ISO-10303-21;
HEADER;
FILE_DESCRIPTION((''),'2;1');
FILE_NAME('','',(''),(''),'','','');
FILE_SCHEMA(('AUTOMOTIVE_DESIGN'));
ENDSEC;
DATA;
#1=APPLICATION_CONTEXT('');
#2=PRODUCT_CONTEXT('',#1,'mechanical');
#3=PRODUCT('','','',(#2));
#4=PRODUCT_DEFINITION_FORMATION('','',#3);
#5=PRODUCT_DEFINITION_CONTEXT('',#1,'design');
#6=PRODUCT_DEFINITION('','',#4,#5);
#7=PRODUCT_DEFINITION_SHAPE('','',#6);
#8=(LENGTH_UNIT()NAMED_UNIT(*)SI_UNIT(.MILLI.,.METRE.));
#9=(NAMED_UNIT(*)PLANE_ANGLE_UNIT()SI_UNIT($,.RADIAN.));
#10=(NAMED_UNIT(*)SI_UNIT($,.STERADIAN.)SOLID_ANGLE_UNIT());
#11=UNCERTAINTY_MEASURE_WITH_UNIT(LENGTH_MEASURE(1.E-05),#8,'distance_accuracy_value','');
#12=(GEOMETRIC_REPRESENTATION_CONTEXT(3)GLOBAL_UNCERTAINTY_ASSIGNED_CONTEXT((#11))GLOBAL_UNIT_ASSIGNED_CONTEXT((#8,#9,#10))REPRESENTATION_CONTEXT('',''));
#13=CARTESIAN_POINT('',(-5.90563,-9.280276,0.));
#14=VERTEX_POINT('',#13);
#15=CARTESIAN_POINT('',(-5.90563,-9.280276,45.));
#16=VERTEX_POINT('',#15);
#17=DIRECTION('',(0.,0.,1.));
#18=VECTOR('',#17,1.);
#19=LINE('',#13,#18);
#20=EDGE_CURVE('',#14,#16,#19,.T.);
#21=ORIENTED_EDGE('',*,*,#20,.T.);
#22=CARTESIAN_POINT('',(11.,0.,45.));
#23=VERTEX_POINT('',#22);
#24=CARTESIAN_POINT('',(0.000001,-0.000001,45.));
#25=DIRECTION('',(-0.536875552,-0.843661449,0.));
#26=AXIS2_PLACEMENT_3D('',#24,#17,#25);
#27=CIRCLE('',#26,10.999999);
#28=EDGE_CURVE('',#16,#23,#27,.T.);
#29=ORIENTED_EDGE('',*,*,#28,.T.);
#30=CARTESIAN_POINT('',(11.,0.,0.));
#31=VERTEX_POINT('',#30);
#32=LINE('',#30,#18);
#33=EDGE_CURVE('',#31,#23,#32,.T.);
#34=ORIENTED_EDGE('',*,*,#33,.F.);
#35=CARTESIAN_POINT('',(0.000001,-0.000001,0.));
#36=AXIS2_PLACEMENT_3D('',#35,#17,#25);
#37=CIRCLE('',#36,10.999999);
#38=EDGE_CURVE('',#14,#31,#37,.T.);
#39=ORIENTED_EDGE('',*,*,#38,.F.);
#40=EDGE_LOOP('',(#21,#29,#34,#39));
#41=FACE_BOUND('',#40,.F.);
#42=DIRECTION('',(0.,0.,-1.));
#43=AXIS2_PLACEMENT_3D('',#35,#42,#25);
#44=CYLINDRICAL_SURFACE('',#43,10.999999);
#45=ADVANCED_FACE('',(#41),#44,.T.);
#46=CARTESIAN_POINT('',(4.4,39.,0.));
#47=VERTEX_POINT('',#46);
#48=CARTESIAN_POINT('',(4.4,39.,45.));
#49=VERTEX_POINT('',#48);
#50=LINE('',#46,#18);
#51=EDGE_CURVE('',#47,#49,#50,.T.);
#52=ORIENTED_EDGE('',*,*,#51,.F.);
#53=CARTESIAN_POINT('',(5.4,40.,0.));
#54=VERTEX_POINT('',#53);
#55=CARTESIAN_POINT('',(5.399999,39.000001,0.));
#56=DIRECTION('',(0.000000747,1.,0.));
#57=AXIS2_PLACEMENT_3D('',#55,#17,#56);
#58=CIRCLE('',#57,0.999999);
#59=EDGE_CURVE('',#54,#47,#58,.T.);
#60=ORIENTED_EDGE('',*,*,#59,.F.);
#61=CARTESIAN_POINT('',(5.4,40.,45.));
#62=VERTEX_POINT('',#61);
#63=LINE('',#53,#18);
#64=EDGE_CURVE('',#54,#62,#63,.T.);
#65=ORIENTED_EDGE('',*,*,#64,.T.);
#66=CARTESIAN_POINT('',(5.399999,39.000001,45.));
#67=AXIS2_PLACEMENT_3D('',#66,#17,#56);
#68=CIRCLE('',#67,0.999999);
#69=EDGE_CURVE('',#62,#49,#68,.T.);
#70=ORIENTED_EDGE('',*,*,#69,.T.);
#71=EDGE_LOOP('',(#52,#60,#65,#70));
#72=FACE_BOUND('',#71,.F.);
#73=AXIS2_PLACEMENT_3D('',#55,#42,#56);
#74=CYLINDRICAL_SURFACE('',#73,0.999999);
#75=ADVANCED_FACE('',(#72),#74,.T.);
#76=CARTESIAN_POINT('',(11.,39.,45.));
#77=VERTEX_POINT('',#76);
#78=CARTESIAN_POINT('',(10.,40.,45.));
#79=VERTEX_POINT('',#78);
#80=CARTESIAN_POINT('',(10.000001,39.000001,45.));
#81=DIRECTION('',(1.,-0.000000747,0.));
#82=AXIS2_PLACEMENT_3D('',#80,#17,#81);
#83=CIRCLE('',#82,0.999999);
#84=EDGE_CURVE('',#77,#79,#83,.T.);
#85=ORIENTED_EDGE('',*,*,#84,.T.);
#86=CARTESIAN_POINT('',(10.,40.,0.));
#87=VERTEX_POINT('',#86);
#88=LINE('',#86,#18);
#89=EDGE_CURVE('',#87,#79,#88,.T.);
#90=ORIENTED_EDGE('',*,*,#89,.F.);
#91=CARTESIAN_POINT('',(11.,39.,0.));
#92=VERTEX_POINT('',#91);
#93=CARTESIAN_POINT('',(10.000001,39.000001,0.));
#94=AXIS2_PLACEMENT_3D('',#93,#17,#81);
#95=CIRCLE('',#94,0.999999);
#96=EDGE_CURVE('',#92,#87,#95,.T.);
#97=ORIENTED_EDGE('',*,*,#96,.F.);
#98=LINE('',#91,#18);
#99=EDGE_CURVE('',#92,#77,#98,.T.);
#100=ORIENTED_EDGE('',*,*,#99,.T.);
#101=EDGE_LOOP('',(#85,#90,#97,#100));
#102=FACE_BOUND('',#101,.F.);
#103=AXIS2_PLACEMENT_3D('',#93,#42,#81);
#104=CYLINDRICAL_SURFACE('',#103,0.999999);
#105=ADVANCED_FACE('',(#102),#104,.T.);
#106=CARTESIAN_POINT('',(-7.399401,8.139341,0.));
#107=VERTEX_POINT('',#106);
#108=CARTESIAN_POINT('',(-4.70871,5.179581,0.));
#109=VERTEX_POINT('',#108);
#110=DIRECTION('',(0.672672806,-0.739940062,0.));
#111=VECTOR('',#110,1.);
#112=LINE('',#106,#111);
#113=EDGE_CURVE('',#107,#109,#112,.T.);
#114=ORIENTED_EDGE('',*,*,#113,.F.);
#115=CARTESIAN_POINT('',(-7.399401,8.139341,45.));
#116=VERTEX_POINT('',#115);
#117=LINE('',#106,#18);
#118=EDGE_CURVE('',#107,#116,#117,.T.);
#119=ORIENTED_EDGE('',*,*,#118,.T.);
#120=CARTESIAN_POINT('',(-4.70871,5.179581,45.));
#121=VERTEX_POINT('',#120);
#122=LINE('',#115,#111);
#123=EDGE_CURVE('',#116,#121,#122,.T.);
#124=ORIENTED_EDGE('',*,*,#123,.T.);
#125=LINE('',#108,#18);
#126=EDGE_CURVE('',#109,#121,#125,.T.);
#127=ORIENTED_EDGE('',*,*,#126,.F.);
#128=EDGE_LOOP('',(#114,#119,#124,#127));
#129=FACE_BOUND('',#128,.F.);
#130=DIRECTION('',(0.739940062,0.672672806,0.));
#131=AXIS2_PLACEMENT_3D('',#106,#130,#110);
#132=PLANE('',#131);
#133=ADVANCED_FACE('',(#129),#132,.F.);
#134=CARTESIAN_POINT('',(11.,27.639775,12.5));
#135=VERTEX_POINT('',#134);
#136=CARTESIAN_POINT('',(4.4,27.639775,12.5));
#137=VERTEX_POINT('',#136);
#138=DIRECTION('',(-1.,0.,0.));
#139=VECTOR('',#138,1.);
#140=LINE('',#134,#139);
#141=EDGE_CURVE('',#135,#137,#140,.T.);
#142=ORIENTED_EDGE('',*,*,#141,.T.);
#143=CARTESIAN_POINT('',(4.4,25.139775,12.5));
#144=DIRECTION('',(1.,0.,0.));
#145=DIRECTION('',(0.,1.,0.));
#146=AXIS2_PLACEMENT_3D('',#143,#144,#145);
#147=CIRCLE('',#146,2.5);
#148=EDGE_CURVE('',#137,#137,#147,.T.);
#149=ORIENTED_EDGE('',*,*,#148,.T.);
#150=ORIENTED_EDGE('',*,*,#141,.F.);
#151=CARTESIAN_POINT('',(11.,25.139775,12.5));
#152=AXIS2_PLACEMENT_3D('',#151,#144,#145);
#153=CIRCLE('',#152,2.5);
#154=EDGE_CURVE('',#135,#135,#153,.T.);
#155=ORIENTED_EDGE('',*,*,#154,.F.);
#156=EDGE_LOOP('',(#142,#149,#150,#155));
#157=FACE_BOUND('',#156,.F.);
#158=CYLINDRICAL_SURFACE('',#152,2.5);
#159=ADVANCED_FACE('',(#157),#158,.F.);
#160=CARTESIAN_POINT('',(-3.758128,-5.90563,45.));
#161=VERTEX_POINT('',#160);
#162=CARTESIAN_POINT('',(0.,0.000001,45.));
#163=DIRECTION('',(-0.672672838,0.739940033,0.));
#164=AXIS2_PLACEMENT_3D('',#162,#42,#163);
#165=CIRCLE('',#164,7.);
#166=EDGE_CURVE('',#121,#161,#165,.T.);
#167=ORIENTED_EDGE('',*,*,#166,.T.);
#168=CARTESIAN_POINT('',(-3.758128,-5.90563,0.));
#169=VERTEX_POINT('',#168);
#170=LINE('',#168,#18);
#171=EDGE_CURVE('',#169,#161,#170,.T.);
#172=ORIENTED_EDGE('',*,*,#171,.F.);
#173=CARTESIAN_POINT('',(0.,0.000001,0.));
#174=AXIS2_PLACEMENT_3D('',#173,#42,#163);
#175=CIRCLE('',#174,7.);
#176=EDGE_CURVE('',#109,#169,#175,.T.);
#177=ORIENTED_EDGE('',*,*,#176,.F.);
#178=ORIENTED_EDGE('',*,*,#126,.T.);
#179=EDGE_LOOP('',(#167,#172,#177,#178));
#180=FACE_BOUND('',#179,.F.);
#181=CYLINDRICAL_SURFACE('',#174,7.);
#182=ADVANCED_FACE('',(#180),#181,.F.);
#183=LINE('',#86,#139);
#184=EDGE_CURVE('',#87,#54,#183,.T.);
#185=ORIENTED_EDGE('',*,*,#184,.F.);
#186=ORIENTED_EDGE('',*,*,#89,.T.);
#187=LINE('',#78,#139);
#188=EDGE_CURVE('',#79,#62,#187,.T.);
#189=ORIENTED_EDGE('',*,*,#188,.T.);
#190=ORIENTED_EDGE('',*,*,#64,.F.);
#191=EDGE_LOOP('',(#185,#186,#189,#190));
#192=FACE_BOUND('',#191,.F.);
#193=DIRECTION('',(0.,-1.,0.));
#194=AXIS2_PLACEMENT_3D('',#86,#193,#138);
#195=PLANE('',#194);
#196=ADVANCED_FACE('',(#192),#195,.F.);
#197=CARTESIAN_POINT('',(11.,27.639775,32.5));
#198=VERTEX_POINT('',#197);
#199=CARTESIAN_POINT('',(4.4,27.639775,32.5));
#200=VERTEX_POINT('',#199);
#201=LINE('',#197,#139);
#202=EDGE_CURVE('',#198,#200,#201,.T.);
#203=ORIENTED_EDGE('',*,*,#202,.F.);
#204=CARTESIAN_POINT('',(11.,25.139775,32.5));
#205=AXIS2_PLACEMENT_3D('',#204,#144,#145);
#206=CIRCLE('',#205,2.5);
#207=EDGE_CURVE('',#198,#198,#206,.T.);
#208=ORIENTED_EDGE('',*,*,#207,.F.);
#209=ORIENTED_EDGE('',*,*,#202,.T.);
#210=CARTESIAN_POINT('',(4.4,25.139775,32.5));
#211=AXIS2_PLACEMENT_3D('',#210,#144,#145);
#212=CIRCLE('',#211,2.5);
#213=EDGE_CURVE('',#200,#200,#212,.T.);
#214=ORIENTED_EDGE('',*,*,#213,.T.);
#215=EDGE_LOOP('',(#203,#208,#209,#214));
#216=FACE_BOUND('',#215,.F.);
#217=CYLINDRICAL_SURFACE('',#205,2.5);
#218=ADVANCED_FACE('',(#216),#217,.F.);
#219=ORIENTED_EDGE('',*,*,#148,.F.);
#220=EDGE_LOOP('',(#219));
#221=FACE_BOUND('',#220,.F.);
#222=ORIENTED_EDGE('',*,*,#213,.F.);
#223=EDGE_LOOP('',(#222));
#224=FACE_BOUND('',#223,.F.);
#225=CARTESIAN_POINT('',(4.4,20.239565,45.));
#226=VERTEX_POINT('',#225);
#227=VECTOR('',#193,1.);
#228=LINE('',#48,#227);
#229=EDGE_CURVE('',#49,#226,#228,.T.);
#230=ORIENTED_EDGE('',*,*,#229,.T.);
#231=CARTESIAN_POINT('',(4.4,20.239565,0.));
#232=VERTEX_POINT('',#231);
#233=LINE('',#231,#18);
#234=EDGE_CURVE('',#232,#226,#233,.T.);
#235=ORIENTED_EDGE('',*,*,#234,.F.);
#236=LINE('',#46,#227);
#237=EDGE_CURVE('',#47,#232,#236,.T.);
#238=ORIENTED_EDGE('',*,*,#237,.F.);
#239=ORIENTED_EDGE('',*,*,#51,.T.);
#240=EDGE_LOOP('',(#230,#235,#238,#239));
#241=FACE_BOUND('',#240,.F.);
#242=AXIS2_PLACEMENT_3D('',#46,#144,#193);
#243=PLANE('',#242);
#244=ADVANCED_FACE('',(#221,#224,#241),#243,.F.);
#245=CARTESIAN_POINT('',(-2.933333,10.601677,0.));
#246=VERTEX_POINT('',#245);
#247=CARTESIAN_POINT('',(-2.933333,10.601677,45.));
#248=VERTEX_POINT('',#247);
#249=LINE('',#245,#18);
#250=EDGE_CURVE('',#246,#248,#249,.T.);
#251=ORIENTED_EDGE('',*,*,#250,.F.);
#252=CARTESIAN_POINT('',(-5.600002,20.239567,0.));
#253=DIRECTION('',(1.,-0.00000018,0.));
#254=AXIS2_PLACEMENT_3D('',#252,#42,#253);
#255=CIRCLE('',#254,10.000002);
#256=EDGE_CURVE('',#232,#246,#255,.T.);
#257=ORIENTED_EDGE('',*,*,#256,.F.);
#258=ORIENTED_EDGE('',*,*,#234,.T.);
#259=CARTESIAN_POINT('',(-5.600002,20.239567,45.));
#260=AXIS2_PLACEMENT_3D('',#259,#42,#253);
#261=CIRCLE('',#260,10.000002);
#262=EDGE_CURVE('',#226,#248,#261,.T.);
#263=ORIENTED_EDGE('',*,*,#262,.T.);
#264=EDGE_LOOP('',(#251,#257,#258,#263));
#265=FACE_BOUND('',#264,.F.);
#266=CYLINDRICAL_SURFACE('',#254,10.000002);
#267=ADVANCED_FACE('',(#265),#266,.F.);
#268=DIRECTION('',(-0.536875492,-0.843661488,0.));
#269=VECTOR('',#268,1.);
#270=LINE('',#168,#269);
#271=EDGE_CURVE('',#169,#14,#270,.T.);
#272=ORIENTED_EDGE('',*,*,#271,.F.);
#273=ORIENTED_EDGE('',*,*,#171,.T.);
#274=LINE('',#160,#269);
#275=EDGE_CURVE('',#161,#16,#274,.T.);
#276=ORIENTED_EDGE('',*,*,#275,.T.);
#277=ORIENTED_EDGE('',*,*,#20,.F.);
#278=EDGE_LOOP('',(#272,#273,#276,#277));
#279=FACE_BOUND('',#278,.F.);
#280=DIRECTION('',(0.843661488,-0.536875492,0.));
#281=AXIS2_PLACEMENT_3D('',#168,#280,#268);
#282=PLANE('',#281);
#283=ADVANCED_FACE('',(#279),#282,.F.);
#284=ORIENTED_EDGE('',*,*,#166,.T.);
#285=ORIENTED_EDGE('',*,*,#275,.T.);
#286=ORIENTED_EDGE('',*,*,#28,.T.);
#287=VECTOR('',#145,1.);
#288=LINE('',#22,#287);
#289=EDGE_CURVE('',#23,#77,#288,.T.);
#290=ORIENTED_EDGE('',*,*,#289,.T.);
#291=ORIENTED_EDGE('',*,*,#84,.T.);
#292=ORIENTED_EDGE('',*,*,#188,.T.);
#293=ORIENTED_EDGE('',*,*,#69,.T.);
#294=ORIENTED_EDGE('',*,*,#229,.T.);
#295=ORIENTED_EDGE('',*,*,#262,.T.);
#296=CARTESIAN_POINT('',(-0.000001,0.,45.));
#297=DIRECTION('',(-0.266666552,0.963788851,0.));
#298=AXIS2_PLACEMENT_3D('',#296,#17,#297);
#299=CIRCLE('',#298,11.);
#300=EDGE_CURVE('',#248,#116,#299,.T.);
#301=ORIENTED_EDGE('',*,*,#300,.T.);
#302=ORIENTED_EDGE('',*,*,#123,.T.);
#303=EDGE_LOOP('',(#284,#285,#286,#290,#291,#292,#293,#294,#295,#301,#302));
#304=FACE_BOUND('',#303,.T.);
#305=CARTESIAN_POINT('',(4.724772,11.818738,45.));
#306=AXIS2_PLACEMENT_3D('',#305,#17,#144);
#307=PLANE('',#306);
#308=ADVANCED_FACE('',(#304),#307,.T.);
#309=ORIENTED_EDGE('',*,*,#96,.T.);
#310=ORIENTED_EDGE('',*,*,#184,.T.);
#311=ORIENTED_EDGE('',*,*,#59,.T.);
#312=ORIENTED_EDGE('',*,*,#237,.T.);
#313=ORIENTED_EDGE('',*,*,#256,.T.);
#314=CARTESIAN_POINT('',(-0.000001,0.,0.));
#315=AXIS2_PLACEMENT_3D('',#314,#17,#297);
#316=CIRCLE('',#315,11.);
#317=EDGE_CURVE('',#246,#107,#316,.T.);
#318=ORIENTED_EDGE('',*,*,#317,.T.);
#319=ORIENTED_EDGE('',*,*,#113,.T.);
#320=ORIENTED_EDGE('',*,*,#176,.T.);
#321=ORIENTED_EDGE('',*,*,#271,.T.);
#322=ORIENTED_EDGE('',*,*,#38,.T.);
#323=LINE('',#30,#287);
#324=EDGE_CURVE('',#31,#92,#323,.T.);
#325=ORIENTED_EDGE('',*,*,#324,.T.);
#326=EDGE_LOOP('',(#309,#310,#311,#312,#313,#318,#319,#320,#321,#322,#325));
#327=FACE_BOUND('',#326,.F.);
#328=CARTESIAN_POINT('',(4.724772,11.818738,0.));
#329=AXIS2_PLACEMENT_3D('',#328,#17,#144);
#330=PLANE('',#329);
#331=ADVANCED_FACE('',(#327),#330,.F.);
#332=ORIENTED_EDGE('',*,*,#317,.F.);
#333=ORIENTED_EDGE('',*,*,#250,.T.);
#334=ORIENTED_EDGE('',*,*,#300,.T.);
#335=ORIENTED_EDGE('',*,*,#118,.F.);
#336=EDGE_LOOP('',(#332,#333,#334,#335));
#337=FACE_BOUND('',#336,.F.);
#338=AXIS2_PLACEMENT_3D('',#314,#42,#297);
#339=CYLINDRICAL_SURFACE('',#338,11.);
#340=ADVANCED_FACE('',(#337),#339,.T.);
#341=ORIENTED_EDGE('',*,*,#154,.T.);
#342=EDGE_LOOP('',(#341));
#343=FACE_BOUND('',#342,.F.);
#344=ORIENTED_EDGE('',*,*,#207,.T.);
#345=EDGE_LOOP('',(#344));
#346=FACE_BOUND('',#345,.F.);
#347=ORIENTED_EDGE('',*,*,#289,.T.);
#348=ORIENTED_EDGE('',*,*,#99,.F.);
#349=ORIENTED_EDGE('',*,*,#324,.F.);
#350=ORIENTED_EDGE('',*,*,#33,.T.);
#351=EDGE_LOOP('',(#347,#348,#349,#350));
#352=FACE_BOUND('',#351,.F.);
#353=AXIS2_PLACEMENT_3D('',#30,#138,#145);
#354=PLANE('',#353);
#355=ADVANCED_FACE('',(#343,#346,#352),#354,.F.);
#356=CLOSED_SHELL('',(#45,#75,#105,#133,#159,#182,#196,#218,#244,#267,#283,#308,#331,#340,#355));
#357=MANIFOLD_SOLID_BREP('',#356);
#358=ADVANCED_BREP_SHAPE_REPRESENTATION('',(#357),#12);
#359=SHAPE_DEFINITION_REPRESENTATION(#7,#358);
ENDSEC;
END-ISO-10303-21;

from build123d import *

# Parameters (mm, degrees)
F1_DEPTH = 45
F3_R     = 2.5
F4_DEPTH = 18.400401


with BuildPart() as f1:
    # F0 (on Top) → F1 (new body)
    with BuildSketch(Plane.XY):
        with BuildLine():
            ThreePointArc((-4.70871, 5.179581), (6.974404, 0.59807), (-3.758128, -5.90563))
            Line((-3.758128, -5.90563), (-5.90563, -9.280276))
            ThreePointArc((-5.90563, -9.280276), (5.293301, -9.642664), (11, 0))
            Line((11, 0), (11, 39))
            ThreePointArc((11, 39), (10.707107, 39.707107), (10, 40))
            Line((10, 40), (5.4, 40))
            ThreePointArc((5.4, 40), (4.692893, 39.707107), (4.4, 39))
            Line((4.4, 39), (4.4, 20.239565))
            ThreePointArc((4.4, 20.239565), (2.358224, 14.184265), (-2.933333, 10.601677))
            ThreePointArc((-2.933333, 10.601677), (-5.311038, 9.632906), (-7.399401, 8.139341))
            Line((-7.399401, 8.139341), (-4.70871, 5.179581))
        make_face()
    extrude(amount=F1_DEPTH)

    # F3 (on face) → F4 (cut, through all)
    with BuildSketch(Plane.YZ.offset(11)):
        with Locations((25.139775, 32.5)):
            Circle(F3_R)
        with Locations((25.139775, 12.5)):
            Circle(F3_R)
    extrude(amount=-F4_DEPTH, mode=Mode.SUBTRACT)


solid = f1.part
